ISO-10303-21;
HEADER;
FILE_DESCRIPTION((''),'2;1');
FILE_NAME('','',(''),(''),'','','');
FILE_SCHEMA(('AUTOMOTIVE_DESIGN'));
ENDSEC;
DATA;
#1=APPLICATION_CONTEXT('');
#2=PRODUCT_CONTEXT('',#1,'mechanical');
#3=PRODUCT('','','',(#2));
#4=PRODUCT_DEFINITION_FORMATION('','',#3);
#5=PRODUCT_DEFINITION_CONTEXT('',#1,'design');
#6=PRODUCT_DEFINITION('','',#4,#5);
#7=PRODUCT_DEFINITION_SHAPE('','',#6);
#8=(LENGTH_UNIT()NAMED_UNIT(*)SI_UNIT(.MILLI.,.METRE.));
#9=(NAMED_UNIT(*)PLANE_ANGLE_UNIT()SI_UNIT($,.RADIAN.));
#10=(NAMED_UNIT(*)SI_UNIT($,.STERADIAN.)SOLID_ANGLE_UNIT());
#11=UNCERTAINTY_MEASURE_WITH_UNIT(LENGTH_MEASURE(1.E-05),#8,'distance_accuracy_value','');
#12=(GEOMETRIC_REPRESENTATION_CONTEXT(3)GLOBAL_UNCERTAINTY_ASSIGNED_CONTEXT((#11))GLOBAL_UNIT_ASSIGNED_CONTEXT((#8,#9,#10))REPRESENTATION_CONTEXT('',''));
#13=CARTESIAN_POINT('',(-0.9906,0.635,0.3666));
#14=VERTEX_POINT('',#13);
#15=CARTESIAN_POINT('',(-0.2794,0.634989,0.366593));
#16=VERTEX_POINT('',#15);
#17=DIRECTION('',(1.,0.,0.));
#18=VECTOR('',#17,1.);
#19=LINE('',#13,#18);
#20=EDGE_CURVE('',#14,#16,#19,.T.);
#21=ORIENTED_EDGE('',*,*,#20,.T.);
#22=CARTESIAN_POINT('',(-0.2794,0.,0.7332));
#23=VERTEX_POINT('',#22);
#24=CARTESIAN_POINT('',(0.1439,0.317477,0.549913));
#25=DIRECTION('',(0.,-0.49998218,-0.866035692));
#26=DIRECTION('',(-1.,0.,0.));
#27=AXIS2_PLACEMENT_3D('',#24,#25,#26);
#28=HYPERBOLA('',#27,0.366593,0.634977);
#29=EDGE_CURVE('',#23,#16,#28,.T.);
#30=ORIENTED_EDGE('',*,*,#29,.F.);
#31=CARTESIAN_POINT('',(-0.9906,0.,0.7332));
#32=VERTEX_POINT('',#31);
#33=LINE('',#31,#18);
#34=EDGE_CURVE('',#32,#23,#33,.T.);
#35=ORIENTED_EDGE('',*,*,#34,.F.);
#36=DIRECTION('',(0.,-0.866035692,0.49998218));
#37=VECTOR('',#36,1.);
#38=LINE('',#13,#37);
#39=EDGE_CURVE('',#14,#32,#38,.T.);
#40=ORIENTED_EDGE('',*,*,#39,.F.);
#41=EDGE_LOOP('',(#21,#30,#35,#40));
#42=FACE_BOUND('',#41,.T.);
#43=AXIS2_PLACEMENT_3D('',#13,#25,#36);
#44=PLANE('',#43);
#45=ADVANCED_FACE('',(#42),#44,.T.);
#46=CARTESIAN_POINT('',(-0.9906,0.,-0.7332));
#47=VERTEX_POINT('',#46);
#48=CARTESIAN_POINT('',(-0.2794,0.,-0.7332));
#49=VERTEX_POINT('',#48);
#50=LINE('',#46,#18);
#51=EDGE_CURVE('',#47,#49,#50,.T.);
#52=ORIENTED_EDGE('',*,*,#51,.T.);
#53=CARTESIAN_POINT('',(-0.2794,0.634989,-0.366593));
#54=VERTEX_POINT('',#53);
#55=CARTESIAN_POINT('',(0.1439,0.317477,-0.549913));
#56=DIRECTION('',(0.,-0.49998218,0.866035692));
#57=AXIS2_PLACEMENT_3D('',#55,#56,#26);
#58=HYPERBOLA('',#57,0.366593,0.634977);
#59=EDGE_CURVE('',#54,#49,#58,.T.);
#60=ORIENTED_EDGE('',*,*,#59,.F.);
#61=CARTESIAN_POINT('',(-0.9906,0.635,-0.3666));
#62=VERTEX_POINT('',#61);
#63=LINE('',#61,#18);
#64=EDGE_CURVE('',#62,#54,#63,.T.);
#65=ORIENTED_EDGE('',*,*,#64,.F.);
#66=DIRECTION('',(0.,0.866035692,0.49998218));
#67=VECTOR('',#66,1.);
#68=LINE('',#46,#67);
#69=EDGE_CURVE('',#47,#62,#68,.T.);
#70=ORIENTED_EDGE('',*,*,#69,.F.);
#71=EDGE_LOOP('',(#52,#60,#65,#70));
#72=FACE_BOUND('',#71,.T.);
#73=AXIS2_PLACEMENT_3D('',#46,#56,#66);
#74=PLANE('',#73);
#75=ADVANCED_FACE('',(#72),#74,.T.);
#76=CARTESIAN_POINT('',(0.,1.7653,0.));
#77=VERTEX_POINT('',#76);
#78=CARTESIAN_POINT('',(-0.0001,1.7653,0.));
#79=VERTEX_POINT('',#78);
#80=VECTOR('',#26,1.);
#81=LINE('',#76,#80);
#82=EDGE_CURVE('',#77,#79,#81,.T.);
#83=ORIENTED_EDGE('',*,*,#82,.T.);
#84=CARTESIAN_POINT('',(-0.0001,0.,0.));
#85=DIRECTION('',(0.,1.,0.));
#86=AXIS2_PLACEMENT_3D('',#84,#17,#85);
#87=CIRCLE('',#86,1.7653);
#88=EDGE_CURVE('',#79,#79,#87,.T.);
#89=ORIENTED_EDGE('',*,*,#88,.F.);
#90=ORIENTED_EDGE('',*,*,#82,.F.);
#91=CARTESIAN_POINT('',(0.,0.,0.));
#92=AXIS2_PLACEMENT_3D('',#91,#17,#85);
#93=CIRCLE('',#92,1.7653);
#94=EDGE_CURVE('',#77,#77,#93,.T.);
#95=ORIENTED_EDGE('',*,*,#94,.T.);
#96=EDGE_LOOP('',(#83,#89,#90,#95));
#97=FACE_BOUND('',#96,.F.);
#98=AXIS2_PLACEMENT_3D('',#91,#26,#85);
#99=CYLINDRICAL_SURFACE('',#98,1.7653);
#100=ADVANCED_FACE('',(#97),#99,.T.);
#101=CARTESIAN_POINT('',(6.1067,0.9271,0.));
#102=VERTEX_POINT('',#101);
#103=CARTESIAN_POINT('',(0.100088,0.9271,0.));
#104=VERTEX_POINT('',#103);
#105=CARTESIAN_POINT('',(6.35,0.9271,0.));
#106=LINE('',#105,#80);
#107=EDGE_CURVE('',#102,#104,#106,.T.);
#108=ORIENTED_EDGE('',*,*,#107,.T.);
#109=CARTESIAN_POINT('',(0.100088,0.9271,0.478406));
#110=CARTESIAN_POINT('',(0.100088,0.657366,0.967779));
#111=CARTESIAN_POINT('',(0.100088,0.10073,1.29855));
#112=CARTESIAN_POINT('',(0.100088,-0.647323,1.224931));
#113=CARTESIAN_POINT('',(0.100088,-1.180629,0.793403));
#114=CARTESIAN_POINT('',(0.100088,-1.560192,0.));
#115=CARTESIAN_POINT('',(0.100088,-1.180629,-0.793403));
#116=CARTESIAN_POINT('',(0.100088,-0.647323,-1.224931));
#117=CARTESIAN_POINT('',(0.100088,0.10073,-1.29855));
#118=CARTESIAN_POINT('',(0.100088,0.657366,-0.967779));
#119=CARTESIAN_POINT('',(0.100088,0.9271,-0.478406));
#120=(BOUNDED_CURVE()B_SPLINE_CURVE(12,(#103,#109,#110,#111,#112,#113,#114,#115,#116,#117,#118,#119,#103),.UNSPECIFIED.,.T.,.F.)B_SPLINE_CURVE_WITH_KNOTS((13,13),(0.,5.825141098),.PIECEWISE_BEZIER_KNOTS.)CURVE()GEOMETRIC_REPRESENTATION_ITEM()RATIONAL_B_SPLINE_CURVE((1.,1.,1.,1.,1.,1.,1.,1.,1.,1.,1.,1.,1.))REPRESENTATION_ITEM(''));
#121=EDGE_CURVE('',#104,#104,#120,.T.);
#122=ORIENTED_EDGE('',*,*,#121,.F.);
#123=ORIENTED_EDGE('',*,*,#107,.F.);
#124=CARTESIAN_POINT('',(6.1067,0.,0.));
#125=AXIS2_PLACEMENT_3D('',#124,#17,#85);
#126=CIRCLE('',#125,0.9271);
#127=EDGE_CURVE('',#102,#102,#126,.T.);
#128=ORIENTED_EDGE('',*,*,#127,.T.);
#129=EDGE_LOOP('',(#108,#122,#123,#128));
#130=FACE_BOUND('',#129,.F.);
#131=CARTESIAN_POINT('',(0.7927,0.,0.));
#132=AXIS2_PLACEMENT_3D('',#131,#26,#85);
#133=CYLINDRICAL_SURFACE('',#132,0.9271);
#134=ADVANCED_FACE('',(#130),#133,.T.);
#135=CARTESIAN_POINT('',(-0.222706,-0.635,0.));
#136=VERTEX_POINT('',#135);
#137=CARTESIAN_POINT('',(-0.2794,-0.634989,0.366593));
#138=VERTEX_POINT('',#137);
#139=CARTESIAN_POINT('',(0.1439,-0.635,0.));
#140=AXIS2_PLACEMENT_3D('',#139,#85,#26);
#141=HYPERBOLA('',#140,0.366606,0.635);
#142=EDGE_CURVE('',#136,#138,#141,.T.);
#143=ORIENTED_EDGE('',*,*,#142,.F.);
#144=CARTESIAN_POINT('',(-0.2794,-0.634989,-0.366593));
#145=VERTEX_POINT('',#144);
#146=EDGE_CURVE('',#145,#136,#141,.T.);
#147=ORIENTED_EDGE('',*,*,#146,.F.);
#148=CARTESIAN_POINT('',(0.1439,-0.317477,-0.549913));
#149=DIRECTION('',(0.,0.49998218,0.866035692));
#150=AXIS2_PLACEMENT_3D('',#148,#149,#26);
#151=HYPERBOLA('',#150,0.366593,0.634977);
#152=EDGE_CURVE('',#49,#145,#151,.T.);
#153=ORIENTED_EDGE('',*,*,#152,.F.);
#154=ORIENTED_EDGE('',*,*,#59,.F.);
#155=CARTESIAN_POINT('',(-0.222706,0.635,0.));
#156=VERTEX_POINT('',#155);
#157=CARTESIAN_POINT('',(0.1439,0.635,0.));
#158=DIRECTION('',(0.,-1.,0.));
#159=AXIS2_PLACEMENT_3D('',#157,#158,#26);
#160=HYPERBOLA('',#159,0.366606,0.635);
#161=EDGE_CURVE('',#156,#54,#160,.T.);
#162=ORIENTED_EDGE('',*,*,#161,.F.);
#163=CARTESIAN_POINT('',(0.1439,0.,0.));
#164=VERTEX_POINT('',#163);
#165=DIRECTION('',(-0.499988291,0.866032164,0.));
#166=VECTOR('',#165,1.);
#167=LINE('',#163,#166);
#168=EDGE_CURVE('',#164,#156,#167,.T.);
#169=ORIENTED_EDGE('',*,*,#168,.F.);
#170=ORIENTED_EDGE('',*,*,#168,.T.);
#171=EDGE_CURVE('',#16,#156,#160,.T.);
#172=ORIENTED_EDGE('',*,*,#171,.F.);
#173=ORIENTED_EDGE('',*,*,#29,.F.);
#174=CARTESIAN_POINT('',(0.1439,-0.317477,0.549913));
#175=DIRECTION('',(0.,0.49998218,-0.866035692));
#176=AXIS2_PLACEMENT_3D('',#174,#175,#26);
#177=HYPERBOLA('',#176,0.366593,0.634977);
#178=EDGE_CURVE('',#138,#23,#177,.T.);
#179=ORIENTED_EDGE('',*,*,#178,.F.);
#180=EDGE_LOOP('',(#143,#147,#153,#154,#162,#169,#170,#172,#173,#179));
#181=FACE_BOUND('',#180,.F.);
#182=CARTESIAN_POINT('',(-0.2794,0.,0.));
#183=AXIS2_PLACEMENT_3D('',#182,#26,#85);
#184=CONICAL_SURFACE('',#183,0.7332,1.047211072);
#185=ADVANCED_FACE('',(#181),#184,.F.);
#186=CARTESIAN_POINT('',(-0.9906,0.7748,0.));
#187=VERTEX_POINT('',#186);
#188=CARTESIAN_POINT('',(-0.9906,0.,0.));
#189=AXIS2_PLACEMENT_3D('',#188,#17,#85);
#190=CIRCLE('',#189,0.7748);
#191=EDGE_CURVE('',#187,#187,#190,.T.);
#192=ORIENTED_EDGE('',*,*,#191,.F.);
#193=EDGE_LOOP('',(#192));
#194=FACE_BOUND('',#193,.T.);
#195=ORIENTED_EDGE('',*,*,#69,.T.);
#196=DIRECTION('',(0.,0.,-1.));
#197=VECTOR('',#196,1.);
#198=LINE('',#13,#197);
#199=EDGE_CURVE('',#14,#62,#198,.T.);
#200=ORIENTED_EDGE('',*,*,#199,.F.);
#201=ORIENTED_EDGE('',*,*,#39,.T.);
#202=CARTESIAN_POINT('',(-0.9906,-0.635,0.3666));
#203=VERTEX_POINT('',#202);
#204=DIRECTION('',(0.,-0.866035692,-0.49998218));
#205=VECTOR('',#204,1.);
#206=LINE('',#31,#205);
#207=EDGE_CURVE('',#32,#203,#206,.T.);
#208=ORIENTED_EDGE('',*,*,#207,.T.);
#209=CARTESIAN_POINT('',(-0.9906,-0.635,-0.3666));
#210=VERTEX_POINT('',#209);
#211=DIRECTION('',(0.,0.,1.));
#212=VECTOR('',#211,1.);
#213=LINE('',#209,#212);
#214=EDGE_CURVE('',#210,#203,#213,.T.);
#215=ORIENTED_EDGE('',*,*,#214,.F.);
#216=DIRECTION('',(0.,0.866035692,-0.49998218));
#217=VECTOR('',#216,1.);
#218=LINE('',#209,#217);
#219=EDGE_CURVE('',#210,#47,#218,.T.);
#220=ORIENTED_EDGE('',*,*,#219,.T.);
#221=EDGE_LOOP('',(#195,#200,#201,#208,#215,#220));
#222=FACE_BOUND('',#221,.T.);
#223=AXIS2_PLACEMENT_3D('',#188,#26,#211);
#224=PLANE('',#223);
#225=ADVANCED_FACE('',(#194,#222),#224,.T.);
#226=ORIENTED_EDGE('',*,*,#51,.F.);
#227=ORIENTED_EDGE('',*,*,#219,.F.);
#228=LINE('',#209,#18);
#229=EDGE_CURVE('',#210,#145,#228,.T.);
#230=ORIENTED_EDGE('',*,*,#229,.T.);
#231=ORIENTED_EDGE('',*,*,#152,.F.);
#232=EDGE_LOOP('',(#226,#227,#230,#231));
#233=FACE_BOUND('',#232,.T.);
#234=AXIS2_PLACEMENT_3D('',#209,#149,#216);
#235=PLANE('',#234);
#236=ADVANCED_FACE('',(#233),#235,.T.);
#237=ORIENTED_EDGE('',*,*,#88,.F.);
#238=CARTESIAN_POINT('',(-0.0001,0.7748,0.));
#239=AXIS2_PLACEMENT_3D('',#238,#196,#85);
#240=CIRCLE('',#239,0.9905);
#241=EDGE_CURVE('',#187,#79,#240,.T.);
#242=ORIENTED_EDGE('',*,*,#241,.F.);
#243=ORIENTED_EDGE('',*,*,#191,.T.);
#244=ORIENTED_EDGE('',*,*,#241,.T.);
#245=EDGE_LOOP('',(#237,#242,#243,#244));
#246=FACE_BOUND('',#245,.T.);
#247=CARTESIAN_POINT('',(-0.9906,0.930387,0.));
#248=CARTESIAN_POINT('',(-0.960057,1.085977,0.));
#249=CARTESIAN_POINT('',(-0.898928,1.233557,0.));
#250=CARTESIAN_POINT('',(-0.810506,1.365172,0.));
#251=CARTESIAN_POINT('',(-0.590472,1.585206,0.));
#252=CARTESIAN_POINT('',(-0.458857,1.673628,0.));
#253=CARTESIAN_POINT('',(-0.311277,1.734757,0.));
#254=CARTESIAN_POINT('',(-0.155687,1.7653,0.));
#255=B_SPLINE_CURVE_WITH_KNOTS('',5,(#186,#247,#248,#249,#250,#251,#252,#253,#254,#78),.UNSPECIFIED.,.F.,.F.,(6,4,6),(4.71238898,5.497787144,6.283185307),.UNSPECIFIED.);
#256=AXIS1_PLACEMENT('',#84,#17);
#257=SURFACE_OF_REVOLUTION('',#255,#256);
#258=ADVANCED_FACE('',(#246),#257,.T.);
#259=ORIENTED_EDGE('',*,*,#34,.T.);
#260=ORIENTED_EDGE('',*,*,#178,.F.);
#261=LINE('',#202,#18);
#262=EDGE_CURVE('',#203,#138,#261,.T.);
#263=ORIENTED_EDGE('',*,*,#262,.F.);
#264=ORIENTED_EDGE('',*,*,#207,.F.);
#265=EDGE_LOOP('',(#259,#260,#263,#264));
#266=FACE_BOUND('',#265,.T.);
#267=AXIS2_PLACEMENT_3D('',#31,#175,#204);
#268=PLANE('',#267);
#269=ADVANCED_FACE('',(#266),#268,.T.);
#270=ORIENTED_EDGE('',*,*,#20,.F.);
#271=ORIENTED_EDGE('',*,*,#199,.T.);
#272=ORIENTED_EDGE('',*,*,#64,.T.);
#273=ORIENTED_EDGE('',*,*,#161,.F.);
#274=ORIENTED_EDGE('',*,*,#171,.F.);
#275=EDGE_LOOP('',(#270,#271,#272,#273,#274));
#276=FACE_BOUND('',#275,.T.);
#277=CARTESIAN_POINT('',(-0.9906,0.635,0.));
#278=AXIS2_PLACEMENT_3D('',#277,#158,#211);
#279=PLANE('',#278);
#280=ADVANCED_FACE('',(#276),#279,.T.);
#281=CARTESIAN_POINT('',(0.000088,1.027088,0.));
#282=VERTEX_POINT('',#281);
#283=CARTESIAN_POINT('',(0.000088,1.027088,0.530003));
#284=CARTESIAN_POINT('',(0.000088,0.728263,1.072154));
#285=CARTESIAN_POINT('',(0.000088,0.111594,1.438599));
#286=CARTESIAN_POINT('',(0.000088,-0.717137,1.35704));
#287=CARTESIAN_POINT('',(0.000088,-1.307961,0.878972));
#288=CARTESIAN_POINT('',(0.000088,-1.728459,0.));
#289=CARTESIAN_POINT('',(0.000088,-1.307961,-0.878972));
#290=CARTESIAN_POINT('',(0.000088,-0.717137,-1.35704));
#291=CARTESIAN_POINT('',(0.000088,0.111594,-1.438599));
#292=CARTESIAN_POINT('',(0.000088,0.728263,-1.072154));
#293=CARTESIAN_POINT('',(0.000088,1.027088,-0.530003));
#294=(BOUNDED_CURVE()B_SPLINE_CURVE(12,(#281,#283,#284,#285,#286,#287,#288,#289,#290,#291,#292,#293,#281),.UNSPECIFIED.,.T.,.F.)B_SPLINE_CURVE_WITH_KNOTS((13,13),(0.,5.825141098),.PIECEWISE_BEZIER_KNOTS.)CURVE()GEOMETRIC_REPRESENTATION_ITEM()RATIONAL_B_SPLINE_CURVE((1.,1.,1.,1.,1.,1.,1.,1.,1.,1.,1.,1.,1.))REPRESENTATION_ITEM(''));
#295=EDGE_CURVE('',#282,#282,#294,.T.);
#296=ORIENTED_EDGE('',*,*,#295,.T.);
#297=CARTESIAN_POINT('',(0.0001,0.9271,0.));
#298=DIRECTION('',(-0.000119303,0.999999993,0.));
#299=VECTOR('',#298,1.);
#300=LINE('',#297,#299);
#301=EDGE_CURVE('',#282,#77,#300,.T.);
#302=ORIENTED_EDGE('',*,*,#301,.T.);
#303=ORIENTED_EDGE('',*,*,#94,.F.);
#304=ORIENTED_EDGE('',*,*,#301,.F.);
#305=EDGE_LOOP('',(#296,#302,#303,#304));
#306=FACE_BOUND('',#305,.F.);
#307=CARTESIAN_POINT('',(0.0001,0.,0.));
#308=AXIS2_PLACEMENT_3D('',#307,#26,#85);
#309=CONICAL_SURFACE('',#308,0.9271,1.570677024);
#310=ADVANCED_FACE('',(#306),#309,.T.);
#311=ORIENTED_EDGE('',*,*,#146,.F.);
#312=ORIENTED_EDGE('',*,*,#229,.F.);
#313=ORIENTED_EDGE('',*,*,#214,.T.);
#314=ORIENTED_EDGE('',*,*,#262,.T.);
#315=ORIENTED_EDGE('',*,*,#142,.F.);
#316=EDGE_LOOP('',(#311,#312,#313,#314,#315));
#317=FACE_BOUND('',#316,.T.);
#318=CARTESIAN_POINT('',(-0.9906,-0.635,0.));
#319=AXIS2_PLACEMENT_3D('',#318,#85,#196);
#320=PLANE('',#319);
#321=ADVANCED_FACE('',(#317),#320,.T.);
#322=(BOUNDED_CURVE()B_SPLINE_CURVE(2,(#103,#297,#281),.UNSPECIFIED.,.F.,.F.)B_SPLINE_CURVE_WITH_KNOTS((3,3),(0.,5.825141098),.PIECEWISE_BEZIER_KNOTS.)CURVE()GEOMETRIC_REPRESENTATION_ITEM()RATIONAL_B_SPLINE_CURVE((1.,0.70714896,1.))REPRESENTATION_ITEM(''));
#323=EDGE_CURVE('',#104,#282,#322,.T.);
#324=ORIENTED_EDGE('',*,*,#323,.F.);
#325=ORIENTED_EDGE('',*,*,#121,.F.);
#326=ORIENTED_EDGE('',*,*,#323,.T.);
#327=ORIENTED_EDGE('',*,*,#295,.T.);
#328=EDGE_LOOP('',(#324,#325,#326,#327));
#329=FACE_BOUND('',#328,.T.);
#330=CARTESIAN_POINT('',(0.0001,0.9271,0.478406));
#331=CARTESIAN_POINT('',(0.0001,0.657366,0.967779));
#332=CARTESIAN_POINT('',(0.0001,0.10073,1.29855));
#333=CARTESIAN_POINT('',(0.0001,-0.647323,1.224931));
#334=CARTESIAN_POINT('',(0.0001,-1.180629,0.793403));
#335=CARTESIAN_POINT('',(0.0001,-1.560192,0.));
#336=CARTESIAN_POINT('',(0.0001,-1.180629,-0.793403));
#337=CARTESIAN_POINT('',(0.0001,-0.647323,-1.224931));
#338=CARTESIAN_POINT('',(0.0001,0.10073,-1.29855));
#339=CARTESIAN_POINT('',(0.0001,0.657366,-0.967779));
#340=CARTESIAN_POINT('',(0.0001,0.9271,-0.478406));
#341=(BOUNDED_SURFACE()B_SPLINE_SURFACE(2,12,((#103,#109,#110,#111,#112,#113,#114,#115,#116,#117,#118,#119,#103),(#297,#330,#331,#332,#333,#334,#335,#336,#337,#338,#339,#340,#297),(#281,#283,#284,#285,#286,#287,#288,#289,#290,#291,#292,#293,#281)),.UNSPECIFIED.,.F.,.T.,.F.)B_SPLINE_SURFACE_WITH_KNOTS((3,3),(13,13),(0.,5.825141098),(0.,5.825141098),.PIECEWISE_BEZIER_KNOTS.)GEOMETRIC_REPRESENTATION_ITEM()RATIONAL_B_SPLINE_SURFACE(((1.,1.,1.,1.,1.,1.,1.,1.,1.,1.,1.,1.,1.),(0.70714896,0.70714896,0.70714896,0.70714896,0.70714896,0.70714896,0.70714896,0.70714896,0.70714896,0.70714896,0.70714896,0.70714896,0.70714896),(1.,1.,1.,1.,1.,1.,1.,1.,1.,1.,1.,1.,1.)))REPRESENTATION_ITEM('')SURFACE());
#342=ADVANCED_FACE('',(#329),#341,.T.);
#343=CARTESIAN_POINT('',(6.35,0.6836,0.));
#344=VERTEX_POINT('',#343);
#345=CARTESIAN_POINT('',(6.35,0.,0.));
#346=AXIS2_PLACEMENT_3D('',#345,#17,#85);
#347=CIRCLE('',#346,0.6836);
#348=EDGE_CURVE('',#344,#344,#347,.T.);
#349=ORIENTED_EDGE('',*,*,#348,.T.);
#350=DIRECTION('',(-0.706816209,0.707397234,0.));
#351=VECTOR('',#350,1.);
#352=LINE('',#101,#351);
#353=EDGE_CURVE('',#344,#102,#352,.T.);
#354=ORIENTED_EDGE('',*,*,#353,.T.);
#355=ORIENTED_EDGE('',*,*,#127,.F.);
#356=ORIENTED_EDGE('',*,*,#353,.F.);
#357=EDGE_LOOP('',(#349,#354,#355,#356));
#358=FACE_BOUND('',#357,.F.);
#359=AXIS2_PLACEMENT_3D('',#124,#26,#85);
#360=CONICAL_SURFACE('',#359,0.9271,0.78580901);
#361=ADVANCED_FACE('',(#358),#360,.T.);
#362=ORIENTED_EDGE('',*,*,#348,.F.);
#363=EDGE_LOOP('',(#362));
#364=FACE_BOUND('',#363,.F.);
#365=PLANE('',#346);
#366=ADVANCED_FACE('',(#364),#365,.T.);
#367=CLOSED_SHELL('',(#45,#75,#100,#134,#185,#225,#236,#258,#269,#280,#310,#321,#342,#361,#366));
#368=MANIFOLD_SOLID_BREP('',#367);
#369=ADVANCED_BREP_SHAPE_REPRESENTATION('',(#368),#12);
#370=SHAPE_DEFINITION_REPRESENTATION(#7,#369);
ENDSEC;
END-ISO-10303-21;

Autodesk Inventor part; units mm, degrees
ref_plane "YZ Plane" through (0, 0, 0) normal (1, 0, 0) x (0, 1, 0)
ref_plane "XZ Plane" through (0, 0, 0) normal (0, 1, 0) x (-1, 0, 0)
sketch "Sketch1" plane through (0, 0, 0) normal (0, 0, 1) x (1, 0, 0)
  line L0 (0.1439, 0) -> (6.35, 0)
  line L1 (6.35, 0) -> (6.35, 0.9271)
  line L2 (6.35, 0.9271) -> (0.7927, 0.9271)
  line L3 (0.7927, 0.9271) -> (0.0001, 0.9271)
  line L4 (0.0001, 0.9271) -> (0, 0.9271)
  line L5 (0, 0.9271) -> (0, 1.7653)
  line L6 (0, 1.7653) -> (-0.9906, 1.7653)
  line L7 (-0.9906, 1.7653) -> (-0.9906, 0.7332)
  line L8 (-0.9906, 0.7332) -> (-0.2794, 0.7332)
  line L9 (-0.2794, 0.7332) -> (0.1439, 0)
  line L10 (-2.4587, 0) -> (7.8181, 0) projected
  line L11 (0, -0.3531) -> (0, 2.1184) projected
  line L12 (0.7927, 0.9271) -> (0, 0.9271) construction
  dimension "d1" = 5.5573
  dimension "d2" = 0.7926
  dimension "d3" = 0.9906
  dimension "d4" = 0.7112
  dimension "d5" = 60
  dimension "d6" = 1.8542
  dimension "d7" = 1.8542
  dimension "d8" = 1.4665
  dimension "d9" = 3.5306
  dimension "d26" = 6.35
revolve "Body" add sketch "Sketch1" angle 360 about axis through (0.1439, 0, 0) along (1, 0, 0) contours L9 L11 L3 L2 L1 L0 | L9 L8 L7 L6 L5 L11
sketch "Sketch2" plane through (-0.9906, 0, 0) normal (-1, 0, 0) x (0, 0, 1)
  circle A0 centre (0, 0) radius 0.7332 projected
  line L0 (0, -2.4714) -> (0, 2.4714) projected
  line L1 (-2.4714, 0) -> (2.4714, 0) projected
  line L2 (0.7332, 0) -> (0.3666, -0.635)
  line L3 (0.3666, -0.635) -> (-0.3666, -0.635)
  line L4 (-0.3666, -0.635) -> (-0.7332, 0)
  line L5 (-0.7332, 0) -> (-0.3666, 0.635)
  line L6 (-0.3666, 0.635) -> (0.3666, 0.635)
  line L7 (0.3666, 0.635) -> (0.7332, 0)
  point P0 (0, 0)
extrude "Slot" add sketch "Sketch2" against normal up to next contours L7 A0 | A0 L2 | L6 L0 A0 | A0 L0 L3 | L0 L6 A0 | A0 L3 L0 | L4 A0 | A0 L5
fillet "Fillet1" radius 0.9905 1 edges at (-0.9906, -1.7653, 0)
thread "Thread" size "1-64 UNC" class "2A" standard "ANSI Unified Screw Threads" length 5.5573
chamfer "Chamfer1" distance 0.2435 distance2 0.2433 1 edges at (6.35, -0.9271, 0) measured on face at (6.35, -0.6833, -0.2193)
ref_plane "Work Plane1" through (29, 0, 0) normal (0, -1, 0) x (1, 0, 0)
fillet "Fillet2" radius 0.1 1 edges at (0.0001, -0.9271, 0)
equation "\"d1\" = GEL"
equation "\"d3\" = KOH"
equation "\"d4\" = INTI"
equation "\"d6\" = GD"
equation "\"d7\" = BDM"
equation "\"d8\" = 1.1547 * SW"
equation "\"d9\" = KOD"
equation "\"d26\" = NLG"
equation "\"d30\" = R"
equation "\"d17\" = RR"
equation "\"d13\" = GEL"
equation "\"d15\" = -0.5 * SPD + 0.5 * GD"
equation "\"d16\" = GUL"
equation "\"GD\" = NND"
equation "\"NLG\" = 6.35"
equation "\"GEL\" = 5.55732"
equation "\"KOD\" = 3.5306"
equation "\"KOH\" = 0.9906"
equation "\"INTI\" = 0.7112"
equation "\"GAL\" = 0.79248"
equation "\"GUL\" = 0.24333"
equation "\"BDM\" = NND"
equation "\"SW\" = 1.27"
equation "\"RR\" = 0.9905"
equation "\"SPD\" = 1.36728"
equation "\"R\" = 0.1"
equation "\"TOA\" = 30deg"
equation "\"GD1\" = SPD"
equation "\"THREADDIA\" = 1.8542"
equation "\"KOH1\" = 0.254"
equation "\"NND\" = 1.8542"
equation "\"E0\" = 1.46685"
properties part number "ANSI B18.3 - 1 - 64 x 1/4"
